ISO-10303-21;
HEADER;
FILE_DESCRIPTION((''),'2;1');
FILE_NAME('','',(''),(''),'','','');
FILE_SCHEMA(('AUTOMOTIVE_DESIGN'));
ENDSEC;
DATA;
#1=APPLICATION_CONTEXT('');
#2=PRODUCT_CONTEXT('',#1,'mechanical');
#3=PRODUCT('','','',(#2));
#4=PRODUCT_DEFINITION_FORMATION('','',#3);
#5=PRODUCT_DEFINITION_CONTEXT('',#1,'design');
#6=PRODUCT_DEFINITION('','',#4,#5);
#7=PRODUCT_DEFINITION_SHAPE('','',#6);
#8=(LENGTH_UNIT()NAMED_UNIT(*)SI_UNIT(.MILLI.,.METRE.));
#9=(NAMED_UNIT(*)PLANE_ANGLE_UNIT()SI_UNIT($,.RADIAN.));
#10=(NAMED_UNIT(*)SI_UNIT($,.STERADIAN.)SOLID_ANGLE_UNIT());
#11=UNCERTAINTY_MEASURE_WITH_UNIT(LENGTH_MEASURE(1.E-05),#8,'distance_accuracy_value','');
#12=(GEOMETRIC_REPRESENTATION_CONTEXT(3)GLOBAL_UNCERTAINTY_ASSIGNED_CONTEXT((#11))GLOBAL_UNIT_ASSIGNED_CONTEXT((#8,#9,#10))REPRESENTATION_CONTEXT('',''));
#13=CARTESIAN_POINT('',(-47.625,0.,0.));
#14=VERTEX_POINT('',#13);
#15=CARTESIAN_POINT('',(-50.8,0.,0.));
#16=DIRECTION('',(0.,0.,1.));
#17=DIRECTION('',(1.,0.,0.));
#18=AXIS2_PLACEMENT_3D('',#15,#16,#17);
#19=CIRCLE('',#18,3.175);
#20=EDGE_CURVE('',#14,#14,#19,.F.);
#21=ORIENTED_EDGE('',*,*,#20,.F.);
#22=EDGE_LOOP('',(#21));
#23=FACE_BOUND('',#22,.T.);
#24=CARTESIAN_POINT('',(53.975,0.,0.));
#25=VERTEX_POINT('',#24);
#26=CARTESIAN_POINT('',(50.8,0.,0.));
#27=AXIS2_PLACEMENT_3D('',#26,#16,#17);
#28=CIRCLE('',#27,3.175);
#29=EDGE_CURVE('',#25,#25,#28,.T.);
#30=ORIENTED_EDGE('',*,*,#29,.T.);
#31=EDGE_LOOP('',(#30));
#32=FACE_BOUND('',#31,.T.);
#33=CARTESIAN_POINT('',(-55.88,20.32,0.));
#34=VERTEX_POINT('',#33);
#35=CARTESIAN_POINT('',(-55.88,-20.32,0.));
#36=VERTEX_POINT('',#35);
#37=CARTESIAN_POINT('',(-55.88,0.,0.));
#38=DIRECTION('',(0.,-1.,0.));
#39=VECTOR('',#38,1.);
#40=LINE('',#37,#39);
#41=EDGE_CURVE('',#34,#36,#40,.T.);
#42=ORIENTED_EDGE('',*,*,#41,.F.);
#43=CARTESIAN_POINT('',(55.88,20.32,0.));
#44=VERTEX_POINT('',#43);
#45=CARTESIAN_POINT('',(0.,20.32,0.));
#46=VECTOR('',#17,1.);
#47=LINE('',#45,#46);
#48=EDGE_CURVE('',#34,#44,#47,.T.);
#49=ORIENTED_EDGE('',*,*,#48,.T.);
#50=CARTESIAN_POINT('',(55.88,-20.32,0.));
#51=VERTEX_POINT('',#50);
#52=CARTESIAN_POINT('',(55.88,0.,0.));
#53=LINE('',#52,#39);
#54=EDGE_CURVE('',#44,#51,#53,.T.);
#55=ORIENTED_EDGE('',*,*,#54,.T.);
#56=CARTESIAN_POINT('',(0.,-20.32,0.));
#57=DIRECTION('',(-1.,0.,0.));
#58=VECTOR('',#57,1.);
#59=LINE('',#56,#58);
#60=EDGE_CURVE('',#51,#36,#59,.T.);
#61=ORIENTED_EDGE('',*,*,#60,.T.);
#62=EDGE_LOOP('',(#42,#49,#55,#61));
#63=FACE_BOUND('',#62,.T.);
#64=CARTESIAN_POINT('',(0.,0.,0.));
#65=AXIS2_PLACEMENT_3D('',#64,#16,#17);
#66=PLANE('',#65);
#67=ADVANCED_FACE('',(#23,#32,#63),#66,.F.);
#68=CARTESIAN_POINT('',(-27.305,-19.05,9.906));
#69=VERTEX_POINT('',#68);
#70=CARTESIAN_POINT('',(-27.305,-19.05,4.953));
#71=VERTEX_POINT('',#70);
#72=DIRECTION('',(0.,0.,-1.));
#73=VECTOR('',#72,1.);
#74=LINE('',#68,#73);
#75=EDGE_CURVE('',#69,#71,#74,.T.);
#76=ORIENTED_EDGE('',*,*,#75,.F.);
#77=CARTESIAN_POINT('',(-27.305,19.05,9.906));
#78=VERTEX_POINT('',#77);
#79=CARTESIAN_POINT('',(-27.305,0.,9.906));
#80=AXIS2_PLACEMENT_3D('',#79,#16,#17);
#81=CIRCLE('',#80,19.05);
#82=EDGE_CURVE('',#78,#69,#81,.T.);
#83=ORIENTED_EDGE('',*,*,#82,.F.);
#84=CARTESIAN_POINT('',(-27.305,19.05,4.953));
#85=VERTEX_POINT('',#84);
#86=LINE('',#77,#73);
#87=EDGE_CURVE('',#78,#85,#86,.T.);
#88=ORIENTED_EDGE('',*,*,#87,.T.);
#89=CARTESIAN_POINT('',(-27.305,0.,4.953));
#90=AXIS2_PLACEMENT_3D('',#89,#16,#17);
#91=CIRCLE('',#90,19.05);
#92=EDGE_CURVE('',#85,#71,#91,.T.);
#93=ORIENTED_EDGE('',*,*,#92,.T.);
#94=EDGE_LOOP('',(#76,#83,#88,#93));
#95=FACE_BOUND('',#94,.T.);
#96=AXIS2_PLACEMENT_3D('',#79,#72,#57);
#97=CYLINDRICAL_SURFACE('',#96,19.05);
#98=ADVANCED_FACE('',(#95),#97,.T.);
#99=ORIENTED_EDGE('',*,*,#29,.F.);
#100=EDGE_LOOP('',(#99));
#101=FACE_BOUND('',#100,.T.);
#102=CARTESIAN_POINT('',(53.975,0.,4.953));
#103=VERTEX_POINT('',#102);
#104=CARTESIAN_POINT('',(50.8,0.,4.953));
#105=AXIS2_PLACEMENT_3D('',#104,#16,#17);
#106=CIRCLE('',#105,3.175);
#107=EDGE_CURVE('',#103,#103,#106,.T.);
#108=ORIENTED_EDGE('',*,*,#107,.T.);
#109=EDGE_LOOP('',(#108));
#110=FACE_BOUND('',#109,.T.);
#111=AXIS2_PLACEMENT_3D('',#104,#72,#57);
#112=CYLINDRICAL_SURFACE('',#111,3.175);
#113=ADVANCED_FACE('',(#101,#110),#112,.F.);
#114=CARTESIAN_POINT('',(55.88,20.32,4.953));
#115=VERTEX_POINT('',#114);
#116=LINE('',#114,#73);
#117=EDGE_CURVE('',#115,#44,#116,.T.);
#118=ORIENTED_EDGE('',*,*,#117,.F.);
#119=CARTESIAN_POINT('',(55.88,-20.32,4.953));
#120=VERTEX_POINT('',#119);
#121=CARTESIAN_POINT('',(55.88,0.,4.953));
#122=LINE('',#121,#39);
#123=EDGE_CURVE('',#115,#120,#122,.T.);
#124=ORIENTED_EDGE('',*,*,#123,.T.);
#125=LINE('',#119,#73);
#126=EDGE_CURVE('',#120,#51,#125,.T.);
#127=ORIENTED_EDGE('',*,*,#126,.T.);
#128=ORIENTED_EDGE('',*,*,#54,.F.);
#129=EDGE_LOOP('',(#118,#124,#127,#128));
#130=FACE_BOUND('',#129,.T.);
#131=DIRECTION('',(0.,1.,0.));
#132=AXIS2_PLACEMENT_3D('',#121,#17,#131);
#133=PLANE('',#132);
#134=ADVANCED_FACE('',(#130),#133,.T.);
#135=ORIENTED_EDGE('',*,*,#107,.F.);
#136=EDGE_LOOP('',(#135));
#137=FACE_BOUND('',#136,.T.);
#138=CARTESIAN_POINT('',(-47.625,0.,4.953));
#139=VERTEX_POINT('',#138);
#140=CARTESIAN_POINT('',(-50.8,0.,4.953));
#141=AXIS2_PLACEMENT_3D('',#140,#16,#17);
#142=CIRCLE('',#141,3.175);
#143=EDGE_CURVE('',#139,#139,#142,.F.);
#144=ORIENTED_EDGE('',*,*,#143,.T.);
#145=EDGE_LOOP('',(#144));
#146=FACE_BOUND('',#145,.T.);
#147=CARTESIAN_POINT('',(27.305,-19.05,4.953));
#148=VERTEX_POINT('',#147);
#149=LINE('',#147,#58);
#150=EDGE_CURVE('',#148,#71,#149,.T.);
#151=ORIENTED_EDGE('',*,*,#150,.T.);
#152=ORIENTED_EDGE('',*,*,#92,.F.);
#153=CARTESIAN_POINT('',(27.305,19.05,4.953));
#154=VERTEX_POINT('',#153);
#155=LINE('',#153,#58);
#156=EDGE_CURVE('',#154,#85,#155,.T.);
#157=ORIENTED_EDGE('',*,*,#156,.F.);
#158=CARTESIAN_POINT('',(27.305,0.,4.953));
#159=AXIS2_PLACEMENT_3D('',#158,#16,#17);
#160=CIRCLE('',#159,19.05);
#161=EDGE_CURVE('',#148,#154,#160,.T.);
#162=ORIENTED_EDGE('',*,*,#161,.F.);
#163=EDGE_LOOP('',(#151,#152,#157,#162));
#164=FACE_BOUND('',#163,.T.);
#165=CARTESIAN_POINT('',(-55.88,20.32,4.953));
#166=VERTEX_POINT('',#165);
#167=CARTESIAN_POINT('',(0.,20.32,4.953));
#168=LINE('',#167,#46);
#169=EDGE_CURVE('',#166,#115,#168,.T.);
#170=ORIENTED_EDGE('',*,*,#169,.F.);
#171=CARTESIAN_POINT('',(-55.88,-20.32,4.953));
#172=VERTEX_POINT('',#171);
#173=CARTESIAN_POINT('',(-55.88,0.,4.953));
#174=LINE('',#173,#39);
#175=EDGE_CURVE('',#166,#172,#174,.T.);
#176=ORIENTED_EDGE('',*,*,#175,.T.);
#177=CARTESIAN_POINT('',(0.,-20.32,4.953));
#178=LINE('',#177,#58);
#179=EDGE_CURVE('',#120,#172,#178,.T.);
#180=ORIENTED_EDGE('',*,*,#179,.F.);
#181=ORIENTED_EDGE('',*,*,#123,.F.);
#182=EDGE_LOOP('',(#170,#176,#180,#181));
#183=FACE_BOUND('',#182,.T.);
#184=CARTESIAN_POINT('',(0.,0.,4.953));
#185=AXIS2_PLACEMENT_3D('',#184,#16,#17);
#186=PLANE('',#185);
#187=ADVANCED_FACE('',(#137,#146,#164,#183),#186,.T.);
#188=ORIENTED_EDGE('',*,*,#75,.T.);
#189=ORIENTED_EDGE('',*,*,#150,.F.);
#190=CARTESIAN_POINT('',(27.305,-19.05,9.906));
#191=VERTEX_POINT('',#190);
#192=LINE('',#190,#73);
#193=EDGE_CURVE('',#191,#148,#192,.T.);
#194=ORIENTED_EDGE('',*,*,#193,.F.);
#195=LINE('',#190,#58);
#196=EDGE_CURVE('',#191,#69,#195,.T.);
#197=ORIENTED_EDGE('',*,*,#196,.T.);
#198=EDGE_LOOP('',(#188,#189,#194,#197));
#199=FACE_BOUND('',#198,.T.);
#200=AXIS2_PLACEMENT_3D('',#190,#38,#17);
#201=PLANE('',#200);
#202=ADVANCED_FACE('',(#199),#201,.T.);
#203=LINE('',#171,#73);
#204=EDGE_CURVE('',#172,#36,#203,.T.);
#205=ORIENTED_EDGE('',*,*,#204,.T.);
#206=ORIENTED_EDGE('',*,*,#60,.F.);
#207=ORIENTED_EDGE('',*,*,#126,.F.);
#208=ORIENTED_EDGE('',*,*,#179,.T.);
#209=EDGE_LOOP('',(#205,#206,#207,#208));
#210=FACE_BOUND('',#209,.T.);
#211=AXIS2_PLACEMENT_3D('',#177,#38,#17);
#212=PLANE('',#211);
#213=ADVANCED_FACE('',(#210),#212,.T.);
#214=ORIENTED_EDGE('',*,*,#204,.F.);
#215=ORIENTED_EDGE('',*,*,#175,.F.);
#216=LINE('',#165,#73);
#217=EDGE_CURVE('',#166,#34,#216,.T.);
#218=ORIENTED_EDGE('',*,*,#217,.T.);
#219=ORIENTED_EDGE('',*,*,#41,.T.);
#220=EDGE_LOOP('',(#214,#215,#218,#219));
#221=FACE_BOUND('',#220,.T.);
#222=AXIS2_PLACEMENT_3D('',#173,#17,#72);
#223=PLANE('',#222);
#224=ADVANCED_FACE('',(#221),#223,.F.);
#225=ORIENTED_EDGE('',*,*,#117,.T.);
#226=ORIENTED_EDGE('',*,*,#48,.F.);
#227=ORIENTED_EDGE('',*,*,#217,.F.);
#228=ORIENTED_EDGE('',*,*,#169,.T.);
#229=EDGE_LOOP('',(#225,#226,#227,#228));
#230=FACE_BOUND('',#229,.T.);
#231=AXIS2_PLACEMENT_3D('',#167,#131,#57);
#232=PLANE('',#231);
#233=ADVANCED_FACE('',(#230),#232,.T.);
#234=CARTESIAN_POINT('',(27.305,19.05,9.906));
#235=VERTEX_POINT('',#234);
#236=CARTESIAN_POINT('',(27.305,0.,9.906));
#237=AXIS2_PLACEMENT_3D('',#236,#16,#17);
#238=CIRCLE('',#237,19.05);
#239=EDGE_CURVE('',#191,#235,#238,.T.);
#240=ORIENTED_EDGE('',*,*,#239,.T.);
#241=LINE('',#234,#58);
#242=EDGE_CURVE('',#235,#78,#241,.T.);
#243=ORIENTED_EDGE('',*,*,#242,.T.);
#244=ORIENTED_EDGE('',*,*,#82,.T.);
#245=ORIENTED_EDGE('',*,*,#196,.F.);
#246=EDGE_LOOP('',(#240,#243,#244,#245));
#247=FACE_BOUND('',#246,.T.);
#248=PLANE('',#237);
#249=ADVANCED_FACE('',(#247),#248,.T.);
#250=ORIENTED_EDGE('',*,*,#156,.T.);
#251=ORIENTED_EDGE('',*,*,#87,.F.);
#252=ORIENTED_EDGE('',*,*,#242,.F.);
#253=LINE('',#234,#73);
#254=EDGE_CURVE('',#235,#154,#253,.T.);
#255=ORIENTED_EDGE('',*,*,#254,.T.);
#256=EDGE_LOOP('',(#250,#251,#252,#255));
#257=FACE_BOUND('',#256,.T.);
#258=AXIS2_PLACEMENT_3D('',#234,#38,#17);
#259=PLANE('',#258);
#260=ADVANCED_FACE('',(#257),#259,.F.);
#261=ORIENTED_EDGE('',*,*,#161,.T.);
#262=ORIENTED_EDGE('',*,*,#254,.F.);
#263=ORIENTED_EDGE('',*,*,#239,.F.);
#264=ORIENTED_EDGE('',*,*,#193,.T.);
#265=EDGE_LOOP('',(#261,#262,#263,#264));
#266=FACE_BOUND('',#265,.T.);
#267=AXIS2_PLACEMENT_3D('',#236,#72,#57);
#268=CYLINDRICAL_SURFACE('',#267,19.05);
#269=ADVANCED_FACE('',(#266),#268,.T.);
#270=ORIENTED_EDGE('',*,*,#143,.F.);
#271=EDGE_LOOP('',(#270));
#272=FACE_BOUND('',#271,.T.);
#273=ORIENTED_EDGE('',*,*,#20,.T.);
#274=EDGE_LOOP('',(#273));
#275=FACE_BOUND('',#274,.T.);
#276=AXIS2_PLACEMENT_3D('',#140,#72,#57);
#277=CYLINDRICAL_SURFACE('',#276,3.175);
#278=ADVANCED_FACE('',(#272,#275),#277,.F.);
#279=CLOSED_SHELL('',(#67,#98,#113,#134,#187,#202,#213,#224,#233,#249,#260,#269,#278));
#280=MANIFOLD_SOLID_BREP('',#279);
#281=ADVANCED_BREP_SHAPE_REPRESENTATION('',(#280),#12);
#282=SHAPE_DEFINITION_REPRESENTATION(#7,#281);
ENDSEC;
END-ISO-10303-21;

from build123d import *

# Parameters (mm, degrees)
SKETCH2_W            = 111.76
SKETCH2_H            = 40.64
SKETCH2_R            = 3.175
BOSS_EXTRUDE13_DEPTH = 4.953
BOSS_EXTRUDE14_DEPTH = 4.953


with BuildPart() as part:
    # Sketch2 → Boss-Extrude13 (new body)
    with BuildSketch(Plane.XY):
        Rectangle(SKETCH2_W, SKETCH2_H)
        with Locations((50.8, 0)):
            Circle(SKETCH2_R, mode=Mode.SUBTRACT)
        with Locations((-50.8, 0)):
            Circle(SKETCH2_R, mode=Mode.SUBTRACT)
    extrude(amount=BOSS_EXTRUDE13_DEPTH)

    # Sketch3 → Boss-Extrude14 (add)
    with BuildSketch(Plane.XY.offset(4.953)):
        with BuildLine():
            Line((27.305, -19.05), (-27.305, -19.05))
            ThreePointArc((-27.305, -19.05), (-46.355, 0), (-27.305, 19.05))
            Line((-27.305, 19.05), (27.305, 19.05))
            ThreePointArc((27.305, 19.05), (46.355, 0), (27.305, -19.05))
        make_face()
    extrude(amount=BOSS_EXTRUDE14_DEPTH)


solid = part.part
